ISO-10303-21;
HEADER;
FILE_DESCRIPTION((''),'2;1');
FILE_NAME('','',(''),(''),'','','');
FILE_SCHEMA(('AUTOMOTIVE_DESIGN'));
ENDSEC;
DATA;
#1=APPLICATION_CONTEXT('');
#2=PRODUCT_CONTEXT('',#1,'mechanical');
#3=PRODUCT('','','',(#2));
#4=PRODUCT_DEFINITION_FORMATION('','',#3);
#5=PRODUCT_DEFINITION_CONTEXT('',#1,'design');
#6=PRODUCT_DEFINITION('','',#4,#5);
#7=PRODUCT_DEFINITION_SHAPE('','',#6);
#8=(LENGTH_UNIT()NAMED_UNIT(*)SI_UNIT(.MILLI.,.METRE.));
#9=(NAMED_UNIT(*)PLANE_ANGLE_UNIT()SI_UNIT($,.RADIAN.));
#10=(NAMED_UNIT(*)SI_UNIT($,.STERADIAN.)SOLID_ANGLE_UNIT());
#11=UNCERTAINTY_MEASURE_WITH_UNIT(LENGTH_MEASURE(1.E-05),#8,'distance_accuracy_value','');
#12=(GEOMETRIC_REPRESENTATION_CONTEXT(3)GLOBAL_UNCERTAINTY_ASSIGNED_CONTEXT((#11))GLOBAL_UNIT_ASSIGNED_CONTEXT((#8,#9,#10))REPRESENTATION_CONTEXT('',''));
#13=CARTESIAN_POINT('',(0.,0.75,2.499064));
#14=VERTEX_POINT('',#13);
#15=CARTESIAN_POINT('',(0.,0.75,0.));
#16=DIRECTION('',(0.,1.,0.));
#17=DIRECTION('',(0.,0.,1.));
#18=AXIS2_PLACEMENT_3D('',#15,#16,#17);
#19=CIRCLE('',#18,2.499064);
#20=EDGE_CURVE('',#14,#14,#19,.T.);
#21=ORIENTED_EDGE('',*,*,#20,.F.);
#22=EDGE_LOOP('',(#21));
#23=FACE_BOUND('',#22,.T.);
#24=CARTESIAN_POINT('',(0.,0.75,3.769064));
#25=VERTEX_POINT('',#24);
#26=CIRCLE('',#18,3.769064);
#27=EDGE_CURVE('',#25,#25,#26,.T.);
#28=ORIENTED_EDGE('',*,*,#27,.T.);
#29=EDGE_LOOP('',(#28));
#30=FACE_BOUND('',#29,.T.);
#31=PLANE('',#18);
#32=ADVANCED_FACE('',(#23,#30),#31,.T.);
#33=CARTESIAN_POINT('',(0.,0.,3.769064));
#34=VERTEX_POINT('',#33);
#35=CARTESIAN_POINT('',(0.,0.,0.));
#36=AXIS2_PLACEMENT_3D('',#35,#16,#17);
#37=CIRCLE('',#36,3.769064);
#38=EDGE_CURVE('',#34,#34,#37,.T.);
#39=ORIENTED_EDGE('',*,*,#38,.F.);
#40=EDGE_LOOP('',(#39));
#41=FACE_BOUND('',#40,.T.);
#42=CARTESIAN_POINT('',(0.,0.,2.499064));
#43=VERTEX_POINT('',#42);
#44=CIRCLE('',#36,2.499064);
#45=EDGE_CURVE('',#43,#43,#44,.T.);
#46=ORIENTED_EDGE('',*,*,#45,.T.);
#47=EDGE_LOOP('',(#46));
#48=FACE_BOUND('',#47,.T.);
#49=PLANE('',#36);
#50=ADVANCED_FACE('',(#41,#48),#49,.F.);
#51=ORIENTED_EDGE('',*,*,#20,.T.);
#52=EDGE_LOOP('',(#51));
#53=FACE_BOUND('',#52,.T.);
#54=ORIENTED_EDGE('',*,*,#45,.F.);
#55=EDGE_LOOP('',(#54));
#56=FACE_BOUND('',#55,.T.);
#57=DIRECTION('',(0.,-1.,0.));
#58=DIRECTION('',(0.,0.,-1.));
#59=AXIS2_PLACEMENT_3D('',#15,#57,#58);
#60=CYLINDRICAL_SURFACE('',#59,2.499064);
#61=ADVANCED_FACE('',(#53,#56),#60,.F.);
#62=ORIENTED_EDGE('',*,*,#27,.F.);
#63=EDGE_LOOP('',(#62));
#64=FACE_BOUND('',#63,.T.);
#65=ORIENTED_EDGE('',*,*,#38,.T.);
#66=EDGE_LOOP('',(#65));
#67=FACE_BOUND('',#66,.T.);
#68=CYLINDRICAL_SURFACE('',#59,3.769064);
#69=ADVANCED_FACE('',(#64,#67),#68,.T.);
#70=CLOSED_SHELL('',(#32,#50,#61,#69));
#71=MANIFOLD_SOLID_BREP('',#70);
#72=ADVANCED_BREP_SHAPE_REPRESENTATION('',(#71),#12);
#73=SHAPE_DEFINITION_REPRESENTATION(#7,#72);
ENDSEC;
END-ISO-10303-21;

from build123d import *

# Parameters (mm, degrees)
SKETCH1_R           = 3.76906403
SKETCH1_R_2         = 2.49906403
BOSS_EXTRUDE1_DEPTH = 0.75


with BuildPart() as part:
    # Sketch1 → Boss-Extrude1 (new body)
    with BuildSketch(Plane(origin=(0, 0, 0), x_dir=(1, 0, 0), z_dir=(0, 1, 0))):
        with Locations(Location((0, 0, 0), (0, 0, 270))):
            Circle(SKETCH1_R)
        with Locations(Location((0, 0, 0), (0, 0, 270))):
            Circle(SKETCH1_R_2, mode=Mode.SUBTRACT)
    extrude(amount=BOSS_EXTRUDE1_DEPTH)


solid = part.part
